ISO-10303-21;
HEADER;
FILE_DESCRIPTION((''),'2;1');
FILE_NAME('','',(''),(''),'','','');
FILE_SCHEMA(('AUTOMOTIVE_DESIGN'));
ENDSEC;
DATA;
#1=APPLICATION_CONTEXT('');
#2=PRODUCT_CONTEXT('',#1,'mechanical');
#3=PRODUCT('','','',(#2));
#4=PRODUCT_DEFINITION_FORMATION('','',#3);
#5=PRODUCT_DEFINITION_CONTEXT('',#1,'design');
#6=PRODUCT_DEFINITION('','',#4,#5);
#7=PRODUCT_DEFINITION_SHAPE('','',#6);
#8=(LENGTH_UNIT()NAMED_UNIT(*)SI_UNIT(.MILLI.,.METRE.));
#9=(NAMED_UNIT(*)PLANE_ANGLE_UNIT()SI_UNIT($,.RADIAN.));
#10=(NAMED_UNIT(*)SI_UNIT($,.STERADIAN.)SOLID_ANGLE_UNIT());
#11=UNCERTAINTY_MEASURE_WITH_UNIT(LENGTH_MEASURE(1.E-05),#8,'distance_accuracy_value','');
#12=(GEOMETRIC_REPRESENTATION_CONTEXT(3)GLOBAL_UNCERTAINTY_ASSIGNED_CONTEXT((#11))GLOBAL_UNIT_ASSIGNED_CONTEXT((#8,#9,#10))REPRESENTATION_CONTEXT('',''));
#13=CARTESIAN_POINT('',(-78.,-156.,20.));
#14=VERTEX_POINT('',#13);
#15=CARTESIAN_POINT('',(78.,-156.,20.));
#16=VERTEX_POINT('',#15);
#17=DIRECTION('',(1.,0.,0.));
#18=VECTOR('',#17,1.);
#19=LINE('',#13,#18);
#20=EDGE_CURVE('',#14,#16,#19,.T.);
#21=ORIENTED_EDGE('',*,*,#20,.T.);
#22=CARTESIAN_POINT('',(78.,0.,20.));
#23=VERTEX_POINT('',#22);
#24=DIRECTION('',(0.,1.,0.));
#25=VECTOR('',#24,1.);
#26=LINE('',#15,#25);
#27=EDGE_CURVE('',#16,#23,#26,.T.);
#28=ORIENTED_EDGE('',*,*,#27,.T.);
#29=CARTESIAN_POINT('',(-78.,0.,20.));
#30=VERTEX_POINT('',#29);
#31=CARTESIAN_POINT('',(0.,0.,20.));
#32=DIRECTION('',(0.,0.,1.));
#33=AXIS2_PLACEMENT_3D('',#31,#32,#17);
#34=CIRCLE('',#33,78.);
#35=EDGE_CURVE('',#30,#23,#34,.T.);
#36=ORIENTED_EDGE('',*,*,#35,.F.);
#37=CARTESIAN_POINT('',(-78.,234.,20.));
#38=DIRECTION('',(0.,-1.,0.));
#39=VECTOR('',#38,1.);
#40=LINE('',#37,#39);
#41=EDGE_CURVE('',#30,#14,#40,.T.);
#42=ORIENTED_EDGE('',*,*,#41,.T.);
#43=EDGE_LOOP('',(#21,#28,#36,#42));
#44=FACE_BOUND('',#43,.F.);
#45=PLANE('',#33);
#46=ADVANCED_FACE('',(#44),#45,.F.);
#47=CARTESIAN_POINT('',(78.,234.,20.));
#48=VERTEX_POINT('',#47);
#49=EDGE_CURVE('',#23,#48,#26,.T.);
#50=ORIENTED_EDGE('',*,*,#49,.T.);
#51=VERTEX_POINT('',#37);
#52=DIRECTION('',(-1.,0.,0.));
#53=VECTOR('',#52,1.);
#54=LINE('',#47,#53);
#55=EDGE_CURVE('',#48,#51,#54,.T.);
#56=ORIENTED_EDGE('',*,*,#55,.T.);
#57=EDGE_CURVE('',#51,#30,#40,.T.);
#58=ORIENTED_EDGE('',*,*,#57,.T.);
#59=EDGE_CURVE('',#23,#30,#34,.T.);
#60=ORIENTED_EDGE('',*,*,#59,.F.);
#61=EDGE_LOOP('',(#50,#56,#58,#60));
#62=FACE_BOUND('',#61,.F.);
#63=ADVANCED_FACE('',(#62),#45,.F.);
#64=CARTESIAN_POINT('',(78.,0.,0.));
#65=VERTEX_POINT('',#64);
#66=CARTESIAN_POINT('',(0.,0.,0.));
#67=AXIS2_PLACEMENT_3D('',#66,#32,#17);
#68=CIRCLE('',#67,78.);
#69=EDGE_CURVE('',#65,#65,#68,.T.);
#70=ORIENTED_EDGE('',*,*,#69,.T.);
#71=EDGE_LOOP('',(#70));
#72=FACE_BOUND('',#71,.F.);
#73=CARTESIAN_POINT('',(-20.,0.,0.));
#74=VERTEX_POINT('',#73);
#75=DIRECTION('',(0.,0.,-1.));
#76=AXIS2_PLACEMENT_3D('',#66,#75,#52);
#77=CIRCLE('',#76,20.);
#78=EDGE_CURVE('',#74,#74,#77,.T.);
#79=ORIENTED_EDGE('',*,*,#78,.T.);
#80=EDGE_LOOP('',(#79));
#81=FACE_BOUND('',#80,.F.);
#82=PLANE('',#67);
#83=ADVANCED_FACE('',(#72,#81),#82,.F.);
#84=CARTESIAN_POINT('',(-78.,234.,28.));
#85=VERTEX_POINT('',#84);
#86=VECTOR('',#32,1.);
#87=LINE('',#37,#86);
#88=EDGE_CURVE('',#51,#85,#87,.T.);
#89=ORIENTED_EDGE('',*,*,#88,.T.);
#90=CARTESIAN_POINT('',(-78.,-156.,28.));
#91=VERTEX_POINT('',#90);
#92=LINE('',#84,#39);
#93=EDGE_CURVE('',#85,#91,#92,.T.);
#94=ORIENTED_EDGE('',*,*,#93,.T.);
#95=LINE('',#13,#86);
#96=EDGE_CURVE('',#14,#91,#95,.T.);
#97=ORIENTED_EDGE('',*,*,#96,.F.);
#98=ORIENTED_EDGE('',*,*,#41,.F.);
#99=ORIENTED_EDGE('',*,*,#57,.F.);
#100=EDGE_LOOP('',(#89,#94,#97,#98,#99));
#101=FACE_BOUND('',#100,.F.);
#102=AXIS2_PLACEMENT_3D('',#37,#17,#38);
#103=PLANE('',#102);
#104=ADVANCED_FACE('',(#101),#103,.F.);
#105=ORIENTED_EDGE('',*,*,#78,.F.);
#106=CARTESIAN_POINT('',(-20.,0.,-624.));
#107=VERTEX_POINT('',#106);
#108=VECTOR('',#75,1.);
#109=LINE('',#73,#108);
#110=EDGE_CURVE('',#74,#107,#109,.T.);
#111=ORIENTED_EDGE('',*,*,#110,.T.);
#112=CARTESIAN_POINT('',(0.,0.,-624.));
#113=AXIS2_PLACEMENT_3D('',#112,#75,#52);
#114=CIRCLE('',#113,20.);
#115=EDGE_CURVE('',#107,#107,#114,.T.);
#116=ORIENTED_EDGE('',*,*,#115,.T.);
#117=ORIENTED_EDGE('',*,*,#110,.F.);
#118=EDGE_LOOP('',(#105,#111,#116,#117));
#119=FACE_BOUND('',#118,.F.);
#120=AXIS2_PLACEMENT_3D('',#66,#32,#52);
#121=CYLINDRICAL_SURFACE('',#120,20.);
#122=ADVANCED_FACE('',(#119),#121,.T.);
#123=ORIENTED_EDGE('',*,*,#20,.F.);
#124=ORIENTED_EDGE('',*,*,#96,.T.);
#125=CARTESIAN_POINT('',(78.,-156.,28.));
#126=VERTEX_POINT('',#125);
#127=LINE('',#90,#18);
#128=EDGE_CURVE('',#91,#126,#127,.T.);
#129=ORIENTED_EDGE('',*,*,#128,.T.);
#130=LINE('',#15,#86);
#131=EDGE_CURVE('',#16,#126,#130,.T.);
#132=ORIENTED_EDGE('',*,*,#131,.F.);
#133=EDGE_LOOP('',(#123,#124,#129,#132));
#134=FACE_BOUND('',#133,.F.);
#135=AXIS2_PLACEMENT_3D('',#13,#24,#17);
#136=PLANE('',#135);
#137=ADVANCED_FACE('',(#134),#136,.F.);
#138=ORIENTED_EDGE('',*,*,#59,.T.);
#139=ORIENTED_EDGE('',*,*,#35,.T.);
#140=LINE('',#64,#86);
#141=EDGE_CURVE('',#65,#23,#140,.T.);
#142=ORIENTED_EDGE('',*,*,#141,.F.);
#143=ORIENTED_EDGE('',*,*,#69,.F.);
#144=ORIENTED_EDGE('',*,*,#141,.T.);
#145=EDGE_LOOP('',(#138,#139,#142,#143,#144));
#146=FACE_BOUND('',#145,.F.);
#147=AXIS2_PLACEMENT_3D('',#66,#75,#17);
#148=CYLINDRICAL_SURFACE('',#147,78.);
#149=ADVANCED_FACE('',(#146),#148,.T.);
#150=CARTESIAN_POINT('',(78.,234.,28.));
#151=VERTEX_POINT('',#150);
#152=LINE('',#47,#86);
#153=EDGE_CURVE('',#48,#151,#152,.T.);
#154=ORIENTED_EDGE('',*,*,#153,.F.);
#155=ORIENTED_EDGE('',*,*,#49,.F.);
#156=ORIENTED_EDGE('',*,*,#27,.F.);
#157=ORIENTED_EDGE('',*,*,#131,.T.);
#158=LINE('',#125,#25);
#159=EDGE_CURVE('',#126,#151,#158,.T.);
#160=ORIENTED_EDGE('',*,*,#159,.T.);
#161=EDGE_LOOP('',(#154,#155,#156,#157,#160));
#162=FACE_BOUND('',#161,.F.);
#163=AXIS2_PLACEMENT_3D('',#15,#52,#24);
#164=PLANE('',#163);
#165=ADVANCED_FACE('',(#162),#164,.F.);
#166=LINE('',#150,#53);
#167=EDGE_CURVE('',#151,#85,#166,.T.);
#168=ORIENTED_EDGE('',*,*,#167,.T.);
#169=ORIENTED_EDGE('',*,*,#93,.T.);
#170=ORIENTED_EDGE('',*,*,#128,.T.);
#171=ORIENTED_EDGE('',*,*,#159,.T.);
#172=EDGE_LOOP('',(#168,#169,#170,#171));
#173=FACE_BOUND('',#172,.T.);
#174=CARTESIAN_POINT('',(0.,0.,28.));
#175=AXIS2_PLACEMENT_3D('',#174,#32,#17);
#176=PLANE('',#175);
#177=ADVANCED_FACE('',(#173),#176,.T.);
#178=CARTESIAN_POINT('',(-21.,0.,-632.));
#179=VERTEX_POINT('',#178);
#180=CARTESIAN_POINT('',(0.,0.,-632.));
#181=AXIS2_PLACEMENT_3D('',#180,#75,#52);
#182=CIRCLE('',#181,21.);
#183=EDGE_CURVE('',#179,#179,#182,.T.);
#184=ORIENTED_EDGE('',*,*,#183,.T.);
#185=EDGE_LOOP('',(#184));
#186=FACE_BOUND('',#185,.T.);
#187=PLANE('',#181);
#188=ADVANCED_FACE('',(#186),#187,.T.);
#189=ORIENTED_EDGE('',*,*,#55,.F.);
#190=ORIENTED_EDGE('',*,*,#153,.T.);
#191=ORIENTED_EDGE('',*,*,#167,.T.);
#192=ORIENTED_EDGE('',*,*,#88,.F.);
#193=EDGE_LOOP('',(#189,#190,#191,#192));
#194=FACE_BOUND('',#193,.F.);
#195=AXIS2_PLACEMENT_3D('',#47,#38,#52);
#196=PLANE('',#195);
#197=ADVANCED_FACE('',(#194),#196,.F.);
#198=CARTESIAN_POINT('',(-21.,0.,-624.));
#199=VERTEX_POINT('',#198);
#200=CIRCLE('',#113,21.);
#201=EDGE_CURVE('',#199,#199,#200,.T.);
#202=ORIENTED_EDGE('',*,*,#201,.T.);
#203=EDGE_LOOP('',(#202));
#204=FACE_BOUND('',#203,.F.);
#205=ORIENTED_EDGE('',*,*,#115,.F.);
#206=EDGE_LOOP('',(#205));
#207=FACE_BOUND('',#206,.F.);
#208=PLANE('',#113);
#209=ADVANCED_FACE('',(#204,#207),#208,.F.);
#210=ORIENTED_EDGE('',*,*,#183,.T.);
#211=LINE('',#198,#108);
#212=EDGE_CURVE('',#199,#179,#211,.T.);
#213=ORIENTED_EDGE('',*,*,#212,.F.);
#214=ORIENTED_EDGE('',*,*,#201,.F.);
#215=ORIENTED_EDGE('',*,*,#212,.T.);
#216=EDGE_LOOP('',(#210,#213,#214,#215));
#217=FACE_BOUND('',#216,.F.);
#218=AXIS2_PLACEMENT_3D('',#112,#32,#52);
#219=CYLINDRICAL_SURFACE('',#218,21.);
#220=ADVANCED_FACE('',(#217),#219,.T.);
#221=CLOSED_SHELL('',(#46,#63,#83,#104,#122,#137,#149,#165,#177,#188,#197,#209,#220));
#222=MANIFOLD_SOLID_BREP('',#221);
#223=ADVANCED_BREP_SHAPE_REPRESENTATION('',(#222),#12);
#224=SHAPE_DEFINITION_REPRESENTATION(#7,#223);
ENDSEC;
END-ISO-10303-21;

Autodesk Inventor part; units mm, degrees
ref_plane "YZ Plane" through (0, 0, 0) normal (1, 0, 0) x (0, 1, 0)
ref_plane "XZ Plane" through (0, 0, 0) normal (0, 1, 0) x (-1, 0, 0)
ref_plane "XY Plane" through (0, 0, 0) normal (0, 0, 1) x (1, 0, 0)
sketch "Sketch1" plane through (0, 0, 0) normal (0, 0, 1) x (1, 0, 0)
  circle A0 centre (0, 0) radius 78
extrude "Connector" add sketch "Sketch1" along normal blind 20
sketch "Sketch2" plane through (0, 0, 0) normal (0, 0, -1) x (-1, 0, 0)
  circle A0 centre (0, 0) radius 20
extrude "RotAxis" add sketch "Sketch2" along normal blind 624
sketch "Sketch3" plane through (0, 0, 20) normal (0, 0, 1) x (1, 0, 0)
  line L0 (78, 234) -> (-78, 234)
  line L1 (-78, 234) -> (-78, -156)
  line L2 (-78, -156) -> (78, -156)
  line L3 (78, -156) -> (78, 234)
  point P0 (0, 0)
extrude "TelescopeMount" add sketch "Sketch3" along normal blind 8
sketch "Sketch4" plane through (0, 0, -624) normal (0, 0, -1) x (-1, 0, 0)
  circle A0 centre (0, 0) radius 21
extrude "Cap" add sketch "Sketch4" along normal blind 8
properties part number "DecAxis"
